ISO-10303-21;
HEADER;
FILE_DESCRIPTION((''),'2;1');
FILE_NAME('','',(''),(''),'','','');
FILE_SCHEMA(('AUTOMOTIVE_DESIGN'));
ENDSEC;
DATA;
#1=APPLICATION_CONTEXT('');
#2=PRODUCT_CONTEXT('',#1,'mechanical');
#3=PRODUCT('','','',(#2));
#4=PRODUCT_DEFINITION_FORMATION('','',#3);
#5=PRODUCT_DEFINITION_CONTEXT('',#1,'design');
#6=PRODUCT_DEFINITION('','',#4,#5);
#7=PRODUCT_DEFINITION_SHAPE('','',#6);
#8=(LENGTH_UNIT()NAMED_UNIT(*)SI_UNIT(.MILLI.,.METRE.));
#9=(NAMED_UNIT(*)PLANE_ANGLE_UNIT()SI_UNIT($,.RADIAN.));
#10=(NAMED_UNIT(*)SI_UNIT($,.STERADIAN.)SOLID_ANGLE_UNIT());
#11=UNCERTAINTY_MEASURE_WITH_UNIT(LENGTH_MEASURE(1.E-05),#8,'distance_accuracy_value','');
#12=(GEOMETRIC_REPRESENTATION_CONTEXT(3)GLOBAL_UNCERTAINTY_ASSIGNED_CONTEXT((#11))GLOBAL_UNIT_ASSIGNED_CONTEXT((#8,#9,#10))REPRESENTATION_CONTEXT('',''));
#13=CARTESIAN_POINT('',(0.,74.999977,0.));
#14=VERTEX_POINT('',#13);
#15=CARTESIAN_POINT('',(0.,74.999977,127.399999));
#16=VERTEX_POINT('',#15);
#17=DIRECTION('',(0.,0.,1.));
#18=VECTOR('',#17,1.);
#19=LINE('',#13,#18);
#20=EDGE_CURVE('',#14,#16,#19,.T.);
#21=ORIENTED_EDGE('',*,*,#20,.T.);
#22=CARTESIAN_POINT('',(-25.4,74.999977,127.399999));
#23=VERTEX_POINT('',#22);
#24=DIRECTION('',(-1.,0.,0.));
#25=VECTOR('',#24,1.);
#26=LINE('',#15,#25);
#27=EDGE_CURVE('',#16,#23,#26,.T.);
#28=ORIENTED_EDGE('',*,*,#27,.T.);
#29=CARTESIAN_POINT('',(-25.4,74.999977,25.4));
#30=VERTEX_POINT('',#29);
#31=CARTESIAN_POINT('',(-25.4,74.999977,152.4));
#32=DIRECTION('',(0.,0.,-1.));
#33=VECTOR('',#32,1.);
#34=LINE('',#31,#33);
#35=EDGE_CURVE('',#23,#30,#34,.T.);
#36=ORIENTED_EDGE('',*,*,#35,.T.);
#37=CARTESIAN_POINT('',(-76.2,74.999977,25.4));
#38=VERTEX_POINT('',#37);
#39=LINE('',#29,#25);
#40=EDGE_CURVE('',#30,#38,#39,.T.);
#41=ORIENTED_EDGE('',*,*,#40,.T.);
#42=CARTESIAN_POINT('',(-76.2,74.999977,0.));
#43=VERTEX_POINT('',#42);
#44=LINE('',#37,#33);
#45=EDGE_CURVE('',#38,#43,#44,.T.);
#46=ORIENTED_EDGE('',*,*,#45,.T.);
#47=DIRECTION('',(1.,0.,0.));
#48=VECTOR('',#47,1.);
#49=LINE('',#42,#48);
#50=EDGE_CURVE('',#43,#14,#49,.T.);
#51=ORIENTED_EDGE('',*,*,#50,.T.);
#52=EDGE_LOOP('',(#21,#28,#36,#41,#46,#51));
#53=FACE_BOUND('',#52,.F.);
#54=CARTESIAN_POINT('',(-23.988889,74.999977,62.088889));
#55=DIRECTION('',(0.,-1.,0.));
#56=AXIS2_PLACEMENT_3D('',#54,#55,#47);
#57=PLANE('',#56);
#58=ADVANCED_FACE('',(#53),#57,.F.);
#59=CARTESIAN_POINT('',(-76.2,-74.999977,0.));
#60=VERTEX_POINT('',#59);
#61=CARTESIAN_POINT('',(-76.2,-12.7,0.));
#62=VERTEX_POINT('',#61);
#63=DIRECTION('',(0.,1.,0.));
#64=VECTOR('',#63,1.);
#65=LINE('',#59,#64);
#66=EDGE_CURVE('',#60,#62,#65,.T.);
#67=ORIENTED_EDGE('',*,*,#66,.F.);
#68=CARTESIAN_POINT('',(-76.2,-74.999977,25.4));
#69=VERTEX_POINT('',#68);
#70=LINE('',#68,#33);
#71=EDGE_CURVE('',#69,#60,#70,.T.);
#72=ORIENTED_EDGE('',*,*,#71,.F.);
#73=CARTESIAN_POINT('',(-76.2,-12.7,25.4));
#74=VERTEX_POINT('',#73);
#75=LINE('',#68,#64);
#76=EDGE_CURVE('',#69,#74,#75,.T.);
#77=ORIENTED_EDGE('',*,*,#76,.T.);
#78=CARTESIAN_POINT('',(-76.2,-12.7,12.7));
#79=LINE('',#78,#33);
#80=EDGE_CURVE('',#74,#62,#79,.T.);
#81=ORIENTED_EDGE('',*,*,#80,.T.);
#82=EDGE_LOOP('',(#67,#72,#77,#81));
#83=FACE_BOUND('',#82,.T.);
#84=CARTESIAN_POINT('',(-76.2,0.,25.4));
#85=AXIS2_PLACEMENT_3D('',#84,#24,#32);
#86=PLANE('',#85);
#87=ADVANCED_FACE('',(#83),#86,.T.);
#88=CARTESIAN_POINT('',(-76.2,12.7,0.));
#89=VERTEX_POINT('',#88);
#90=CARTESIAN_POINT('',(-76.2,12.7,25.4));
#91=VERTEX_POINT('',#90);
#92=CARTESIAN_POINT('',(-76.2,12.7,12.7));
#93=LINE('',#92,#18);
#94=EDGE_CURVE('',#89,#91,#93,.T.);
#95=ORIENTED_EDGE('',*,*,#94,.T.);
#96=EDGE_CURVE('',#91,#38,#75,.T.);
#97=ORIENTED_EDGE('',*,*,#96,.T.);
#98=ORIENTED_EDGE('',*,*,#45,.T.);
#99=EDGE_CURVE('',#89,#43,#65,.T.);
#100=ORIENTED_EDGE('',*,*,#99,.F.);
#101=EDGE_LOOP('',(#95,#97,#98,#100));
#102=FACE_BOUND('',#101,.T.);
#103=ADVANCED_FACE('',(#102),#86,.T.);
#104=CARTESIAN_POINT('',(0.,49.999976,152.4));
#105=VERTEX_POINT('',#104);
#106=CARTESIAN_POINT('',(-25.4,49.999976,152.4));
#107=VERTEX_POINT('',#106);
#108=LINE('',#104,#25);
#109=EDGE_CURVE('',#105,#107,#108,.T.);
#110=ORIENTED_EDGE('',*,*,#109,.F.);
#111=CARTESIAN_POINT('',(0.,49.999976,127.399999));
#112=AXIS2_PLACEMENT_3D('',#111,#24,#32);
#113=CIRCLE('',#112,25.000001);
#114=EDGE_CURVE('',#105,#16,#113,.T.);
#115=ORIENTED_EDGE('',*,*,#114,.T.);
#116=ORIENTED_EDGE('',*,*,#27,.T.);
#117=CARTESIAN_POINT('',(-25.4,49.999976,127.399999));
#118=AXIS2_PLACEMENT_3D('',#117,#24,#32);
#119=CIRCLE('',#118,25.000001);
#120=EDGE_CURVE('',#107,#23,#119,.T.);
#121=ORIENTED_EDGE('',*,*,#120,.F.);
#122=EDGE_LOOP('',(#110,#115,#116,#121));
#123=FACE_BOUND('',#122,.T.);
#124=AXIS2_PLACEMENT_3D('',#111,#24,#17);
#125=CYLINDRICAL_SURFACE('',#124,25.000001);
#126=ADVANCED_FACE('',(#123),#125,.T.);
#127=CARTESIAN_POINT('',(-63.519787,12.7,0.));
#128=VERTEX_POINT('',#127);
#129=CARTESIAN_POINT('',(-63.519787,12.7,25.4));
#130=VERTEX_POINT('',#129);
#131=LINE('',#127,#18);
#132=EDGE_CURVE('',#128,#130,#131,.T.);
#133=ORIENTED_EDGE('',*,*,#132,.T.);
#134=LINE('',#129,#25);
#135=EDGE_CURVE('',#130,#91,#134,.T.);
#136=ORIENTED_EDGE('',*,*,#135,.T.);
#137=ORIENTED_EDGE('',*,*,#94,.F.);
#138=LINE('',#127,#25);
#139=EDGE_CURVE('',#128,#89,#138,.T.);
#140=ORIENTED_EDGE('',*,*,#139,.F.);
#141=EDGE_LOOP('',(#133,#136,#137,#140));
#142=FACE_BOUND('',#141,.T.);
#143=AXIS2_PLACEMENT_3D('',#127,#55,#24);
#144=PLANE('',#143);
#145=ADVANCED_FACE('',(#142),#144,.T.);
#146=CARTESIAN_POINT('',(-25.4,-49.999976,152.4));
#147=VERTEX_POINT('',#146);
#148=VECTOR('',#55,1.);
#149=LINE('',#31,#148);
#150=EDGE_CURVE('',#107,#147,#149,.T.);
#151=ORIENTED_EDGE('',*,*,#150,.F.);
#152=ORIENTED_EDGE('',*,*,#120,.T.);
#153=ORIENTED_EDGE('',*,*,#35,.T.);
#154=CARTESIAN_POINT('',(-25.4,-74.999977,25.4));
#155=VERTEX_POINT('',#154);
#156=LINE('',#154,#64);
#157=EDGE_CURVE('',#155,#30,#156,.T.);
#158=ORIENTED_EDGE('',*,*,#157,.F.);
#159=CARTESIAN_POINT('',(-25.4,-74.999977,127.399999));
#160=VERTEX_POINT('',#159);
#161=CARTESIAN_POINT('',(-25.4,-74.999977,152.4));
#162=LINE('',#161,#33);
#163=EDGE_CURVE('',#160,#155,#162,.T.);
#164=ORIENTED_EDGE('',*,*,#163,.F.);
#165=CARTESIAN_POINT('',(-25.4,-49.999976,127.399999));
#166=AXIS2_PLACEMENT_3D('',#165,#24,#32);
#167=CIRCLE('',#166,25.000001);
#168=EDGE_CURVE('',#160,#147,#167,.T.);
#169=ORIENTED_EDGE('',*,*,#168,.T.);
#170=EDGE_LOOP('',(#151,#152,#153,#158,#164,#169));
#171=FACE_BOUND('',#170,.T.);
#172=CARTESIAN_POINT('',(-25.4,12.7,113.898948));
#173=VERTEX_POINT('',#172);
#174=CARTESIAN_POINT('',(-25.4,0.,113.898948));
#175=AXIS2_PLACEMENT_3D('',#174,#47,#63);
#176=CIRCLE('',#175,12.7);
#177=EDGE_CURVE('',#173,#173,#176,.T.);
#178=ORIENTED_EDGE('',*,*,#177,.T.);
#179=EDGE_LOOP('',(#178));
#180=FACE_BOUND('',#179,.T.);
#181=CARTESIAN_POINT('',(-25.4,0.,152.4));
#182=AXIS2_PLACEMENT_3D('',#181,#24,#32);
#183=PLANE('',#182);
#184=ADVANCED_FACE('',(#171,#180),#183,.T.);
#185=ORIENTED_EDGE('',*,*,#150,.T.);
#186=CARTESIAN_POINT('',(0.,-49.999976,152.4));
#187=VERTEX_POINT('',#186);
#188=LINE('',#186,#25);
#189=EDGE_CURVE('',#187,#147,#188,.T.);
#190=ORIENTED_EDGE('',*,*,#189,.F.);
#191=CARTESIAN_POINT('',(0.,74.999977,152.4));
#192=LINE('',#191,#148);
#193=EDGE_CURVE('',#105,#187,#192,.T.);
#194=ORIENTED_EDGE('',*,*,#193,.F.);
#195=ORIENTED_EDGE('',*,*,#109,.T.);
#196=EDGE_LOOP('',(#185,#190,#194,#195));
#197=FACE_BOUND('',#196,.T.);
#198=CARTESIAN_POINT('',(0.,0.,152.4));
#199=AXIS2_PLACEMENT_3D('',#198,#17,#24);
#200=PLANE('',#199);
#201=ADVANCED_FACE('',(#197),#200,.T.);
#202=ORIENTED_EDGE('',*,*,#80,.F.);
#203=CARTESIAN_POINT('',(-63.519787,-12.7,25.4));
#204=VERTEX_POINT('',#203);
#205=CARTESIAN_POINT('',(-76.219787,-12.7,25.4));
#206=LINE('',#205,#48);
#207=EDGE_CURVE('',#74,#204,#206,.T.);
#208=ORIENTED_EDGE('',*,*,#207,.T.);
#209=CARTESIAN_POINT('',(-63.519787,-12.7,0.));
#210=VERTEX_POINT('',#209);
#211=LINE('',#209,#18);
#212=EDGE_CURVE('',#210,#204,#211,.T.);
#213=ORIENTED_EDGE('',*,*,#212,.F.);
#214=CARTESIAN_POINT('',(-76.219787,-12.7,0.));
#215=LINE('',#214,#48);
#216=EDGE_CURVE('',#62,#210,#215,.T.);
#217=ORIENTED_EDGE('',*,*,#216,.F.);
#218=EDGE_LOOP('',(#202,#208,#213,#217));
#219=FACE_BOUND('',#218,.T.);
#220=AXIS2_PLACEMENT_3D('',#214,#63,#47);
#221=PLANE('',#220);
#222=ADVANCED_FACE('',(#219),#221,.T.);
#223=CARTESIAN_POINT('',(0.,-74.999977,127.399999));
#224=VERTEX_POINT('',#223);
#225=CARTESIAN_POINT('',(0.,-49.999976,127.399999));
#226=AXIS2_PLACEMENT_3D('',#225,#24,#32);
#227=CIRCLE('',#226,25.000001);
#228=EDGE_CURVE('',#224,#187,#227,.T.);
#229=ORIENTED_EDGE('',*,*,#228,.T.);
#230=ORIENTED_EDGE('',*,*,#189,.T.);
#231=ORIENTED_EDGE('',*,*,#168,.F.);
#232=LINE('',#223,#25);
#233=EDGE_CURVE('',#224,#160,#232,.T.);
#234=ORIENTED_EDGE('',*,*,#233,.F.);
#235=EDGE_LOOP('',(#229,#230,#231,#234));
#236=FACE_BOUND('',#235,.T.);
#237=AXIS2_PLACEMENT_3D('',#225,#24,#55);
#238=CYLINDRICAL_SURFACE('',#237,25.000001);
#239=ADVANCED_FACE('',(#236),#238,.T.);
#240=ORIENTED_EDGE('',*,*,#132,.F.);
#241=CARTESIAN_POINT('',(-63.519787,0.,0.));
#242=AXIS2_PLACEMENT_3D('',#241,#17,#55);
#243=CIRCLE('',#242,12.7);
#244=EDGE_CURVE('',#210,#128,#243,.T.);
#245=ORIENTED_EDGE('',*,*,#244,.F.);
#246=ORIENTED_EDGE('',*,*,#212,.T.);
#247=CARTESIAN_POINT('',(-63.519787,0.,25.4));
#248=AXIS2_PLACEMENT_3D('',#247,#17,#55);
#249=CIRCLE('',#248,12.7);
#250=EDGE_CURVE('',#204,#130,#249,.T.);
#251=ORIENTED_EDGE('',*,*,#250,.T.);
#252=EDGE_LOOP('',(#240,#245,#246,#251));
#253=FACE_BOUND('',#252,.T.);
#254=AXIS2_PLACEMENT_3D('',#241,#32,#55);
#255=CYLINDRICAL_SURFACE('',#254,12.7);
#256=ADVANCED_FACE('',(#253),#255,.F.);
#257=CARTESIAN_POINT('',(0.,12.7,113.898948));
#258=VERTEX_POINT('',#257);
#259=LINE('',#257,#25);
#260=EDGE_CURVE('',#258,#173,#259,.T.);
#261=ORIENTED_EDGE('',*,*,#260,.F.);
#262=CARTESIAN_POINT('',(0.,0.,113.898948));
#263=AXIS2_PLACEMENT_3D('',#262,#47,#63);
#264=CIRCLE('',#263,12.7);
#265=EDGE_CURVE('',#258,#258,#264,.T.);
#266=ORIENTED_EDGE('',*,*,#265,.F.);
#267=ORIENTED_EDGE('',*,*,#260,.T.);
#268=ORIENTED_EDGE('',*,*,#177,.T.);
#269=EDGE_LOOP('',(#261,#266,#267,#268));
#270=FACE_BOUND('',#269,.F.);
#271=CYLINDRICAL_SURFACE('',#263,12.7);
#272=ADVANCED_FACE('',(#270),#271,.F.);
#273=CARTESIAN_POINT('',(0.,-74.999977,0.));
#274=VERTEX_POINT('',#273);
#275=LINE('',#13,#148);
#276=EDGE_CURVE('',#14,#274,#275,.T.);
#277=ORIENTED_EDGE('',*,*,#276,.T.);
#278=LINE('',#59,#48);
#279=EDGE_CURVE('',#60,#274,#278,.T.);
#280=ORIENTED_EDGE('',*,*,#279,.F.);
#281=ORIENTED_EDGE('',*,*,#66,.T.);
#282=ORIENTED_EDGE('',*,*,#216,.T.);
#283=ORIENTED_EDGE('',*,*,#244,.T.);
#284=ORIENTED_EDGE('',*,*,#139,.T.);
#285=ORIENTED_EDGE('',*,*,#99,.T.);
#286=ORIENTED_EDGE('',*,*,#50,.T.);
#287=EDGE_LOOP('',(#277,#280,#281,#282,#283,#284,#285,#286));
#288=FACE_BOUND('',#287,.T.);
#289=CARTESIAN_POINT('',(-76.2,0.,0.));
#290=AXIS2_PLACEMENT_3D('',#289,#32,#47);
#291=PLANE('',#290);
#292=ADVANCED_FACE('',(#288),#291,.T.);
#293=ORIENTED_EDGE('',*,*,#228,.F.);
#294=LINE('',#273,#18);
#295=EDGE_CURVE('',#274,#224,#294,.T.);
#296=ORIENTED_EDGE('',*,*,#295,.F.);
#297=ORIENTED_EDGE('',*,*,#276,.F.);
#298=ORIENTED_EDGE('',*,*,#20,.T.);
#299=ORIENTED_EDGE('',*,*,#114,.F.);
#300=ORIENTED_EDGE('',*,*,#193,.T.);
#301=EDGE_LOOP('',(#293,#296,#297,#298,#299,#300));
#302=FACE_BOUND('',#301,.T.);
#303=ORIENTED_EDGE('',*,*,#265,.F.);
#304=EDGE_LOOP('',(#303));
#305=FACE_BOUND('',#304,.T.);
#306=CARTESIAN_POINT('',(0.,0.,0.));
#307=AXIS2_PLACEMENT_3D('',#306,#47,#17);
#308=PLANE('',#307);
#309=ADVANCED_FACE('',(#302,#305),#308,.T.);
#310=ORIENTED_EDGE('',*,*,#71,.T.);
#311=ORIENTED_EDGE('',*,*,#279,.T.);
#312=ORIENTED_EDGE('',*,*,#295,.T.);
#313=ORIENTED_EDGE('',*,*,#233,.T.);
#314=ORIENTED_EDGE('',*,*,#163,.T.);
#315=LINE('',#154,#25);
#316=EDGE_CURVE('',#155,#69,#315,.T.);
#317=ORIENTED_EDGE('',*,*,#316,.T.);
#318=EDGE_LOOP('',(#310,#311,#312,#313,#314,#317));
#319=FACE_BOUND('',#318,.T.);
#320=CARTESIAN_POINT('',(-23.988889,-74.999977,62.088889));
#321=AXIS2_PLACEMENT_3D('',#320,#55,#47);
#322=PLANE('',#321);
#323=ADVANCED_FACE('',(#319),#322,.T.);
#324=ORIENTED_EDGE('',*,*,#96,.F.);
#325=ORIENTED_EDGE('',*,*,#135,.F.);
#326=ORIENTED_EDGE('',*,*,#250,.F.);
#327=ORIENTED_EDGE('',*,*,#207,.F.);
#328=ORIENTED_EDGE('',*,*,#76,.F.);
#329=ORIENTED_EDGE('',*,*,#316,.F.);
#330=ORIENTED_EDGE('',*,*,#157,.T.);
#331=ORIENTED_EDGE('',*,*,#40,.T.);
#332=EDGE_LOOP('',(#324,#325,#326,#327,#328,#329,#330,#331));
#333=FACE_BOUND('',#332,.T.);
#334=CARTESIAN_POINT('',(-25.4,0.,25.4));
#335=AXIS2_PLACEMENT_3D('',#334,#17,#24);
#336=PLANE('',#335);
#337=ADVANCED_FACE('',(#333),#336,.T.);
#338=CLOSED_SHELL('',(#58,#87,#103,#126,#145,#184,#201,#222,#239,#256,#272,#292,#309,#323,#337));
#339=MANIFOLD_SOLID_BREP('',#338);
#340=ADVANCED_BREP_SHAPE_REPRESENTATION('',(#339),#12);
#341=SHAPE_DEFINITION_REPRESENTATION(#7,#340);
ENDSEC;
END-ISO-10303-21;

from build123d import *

# Parameters (mm, degrees)
F1_DEPTH = 74.999977
F2_R     = 12.7
F3_DEPTH = 25.4
F5_DEPTH = 25.4
F6_R     = 25.000001
F7_R     = 25.000001


with BuildPart() as f1:
    # F0 (on Front) → F1 (new body, symmetric)
    with BuildSketch(Plane.XZ):
        Polygon((-76.2, 0), (0, 0), (0, 152.4), (-25.4, 152.4), (-25.4, 25.4), (-76.2, 25.4), align=None)
    extrude(amount=F1_DEPTH, both=True)

    # F2 (on Right) → F3 (cut)
    with BuildSketch(Plane.YZ):
        with Locations((0, 113.898948)):
            Circle(F2_R)
    extrude(amount=-F3_DEPTH, mode=Mode.SUBTRACT)

    # F4 (on Top) → F5 (cut)
    with BuildSketch(Plane.XY):
        with BuildLine():
            ThreePointArc((-63.519787, -12.7), (-50.819787, 0), (-63.519787, 12.7))
            Line((-63.519787, 12.7), (-76.219787, 12.7))
            Line((-76.219787, 12.7), (-76.219787, -12.7))
            Line((-76.219787, -12.7), (-63.519787, -12.7))
        make_face()
    extrude(amount=F5_DEPTH, mode=Mode.SUBTRACT)

    # F6
    f6_edges = [f1.edges().sort_by_distance(p)[0] for p in [
        (-12.7, -74.999977, 152.4),
    ]]
    fillet(f6_edges, radius=F6_R)

    # F7
    f7_edges = [f1.edges().sort_by_distance(p)[0] for p in [
        (-12.7, 74.999977, 152.4),
    ]]
    fillet(f7_edges, radius=F7_R)


solid = f1.part
